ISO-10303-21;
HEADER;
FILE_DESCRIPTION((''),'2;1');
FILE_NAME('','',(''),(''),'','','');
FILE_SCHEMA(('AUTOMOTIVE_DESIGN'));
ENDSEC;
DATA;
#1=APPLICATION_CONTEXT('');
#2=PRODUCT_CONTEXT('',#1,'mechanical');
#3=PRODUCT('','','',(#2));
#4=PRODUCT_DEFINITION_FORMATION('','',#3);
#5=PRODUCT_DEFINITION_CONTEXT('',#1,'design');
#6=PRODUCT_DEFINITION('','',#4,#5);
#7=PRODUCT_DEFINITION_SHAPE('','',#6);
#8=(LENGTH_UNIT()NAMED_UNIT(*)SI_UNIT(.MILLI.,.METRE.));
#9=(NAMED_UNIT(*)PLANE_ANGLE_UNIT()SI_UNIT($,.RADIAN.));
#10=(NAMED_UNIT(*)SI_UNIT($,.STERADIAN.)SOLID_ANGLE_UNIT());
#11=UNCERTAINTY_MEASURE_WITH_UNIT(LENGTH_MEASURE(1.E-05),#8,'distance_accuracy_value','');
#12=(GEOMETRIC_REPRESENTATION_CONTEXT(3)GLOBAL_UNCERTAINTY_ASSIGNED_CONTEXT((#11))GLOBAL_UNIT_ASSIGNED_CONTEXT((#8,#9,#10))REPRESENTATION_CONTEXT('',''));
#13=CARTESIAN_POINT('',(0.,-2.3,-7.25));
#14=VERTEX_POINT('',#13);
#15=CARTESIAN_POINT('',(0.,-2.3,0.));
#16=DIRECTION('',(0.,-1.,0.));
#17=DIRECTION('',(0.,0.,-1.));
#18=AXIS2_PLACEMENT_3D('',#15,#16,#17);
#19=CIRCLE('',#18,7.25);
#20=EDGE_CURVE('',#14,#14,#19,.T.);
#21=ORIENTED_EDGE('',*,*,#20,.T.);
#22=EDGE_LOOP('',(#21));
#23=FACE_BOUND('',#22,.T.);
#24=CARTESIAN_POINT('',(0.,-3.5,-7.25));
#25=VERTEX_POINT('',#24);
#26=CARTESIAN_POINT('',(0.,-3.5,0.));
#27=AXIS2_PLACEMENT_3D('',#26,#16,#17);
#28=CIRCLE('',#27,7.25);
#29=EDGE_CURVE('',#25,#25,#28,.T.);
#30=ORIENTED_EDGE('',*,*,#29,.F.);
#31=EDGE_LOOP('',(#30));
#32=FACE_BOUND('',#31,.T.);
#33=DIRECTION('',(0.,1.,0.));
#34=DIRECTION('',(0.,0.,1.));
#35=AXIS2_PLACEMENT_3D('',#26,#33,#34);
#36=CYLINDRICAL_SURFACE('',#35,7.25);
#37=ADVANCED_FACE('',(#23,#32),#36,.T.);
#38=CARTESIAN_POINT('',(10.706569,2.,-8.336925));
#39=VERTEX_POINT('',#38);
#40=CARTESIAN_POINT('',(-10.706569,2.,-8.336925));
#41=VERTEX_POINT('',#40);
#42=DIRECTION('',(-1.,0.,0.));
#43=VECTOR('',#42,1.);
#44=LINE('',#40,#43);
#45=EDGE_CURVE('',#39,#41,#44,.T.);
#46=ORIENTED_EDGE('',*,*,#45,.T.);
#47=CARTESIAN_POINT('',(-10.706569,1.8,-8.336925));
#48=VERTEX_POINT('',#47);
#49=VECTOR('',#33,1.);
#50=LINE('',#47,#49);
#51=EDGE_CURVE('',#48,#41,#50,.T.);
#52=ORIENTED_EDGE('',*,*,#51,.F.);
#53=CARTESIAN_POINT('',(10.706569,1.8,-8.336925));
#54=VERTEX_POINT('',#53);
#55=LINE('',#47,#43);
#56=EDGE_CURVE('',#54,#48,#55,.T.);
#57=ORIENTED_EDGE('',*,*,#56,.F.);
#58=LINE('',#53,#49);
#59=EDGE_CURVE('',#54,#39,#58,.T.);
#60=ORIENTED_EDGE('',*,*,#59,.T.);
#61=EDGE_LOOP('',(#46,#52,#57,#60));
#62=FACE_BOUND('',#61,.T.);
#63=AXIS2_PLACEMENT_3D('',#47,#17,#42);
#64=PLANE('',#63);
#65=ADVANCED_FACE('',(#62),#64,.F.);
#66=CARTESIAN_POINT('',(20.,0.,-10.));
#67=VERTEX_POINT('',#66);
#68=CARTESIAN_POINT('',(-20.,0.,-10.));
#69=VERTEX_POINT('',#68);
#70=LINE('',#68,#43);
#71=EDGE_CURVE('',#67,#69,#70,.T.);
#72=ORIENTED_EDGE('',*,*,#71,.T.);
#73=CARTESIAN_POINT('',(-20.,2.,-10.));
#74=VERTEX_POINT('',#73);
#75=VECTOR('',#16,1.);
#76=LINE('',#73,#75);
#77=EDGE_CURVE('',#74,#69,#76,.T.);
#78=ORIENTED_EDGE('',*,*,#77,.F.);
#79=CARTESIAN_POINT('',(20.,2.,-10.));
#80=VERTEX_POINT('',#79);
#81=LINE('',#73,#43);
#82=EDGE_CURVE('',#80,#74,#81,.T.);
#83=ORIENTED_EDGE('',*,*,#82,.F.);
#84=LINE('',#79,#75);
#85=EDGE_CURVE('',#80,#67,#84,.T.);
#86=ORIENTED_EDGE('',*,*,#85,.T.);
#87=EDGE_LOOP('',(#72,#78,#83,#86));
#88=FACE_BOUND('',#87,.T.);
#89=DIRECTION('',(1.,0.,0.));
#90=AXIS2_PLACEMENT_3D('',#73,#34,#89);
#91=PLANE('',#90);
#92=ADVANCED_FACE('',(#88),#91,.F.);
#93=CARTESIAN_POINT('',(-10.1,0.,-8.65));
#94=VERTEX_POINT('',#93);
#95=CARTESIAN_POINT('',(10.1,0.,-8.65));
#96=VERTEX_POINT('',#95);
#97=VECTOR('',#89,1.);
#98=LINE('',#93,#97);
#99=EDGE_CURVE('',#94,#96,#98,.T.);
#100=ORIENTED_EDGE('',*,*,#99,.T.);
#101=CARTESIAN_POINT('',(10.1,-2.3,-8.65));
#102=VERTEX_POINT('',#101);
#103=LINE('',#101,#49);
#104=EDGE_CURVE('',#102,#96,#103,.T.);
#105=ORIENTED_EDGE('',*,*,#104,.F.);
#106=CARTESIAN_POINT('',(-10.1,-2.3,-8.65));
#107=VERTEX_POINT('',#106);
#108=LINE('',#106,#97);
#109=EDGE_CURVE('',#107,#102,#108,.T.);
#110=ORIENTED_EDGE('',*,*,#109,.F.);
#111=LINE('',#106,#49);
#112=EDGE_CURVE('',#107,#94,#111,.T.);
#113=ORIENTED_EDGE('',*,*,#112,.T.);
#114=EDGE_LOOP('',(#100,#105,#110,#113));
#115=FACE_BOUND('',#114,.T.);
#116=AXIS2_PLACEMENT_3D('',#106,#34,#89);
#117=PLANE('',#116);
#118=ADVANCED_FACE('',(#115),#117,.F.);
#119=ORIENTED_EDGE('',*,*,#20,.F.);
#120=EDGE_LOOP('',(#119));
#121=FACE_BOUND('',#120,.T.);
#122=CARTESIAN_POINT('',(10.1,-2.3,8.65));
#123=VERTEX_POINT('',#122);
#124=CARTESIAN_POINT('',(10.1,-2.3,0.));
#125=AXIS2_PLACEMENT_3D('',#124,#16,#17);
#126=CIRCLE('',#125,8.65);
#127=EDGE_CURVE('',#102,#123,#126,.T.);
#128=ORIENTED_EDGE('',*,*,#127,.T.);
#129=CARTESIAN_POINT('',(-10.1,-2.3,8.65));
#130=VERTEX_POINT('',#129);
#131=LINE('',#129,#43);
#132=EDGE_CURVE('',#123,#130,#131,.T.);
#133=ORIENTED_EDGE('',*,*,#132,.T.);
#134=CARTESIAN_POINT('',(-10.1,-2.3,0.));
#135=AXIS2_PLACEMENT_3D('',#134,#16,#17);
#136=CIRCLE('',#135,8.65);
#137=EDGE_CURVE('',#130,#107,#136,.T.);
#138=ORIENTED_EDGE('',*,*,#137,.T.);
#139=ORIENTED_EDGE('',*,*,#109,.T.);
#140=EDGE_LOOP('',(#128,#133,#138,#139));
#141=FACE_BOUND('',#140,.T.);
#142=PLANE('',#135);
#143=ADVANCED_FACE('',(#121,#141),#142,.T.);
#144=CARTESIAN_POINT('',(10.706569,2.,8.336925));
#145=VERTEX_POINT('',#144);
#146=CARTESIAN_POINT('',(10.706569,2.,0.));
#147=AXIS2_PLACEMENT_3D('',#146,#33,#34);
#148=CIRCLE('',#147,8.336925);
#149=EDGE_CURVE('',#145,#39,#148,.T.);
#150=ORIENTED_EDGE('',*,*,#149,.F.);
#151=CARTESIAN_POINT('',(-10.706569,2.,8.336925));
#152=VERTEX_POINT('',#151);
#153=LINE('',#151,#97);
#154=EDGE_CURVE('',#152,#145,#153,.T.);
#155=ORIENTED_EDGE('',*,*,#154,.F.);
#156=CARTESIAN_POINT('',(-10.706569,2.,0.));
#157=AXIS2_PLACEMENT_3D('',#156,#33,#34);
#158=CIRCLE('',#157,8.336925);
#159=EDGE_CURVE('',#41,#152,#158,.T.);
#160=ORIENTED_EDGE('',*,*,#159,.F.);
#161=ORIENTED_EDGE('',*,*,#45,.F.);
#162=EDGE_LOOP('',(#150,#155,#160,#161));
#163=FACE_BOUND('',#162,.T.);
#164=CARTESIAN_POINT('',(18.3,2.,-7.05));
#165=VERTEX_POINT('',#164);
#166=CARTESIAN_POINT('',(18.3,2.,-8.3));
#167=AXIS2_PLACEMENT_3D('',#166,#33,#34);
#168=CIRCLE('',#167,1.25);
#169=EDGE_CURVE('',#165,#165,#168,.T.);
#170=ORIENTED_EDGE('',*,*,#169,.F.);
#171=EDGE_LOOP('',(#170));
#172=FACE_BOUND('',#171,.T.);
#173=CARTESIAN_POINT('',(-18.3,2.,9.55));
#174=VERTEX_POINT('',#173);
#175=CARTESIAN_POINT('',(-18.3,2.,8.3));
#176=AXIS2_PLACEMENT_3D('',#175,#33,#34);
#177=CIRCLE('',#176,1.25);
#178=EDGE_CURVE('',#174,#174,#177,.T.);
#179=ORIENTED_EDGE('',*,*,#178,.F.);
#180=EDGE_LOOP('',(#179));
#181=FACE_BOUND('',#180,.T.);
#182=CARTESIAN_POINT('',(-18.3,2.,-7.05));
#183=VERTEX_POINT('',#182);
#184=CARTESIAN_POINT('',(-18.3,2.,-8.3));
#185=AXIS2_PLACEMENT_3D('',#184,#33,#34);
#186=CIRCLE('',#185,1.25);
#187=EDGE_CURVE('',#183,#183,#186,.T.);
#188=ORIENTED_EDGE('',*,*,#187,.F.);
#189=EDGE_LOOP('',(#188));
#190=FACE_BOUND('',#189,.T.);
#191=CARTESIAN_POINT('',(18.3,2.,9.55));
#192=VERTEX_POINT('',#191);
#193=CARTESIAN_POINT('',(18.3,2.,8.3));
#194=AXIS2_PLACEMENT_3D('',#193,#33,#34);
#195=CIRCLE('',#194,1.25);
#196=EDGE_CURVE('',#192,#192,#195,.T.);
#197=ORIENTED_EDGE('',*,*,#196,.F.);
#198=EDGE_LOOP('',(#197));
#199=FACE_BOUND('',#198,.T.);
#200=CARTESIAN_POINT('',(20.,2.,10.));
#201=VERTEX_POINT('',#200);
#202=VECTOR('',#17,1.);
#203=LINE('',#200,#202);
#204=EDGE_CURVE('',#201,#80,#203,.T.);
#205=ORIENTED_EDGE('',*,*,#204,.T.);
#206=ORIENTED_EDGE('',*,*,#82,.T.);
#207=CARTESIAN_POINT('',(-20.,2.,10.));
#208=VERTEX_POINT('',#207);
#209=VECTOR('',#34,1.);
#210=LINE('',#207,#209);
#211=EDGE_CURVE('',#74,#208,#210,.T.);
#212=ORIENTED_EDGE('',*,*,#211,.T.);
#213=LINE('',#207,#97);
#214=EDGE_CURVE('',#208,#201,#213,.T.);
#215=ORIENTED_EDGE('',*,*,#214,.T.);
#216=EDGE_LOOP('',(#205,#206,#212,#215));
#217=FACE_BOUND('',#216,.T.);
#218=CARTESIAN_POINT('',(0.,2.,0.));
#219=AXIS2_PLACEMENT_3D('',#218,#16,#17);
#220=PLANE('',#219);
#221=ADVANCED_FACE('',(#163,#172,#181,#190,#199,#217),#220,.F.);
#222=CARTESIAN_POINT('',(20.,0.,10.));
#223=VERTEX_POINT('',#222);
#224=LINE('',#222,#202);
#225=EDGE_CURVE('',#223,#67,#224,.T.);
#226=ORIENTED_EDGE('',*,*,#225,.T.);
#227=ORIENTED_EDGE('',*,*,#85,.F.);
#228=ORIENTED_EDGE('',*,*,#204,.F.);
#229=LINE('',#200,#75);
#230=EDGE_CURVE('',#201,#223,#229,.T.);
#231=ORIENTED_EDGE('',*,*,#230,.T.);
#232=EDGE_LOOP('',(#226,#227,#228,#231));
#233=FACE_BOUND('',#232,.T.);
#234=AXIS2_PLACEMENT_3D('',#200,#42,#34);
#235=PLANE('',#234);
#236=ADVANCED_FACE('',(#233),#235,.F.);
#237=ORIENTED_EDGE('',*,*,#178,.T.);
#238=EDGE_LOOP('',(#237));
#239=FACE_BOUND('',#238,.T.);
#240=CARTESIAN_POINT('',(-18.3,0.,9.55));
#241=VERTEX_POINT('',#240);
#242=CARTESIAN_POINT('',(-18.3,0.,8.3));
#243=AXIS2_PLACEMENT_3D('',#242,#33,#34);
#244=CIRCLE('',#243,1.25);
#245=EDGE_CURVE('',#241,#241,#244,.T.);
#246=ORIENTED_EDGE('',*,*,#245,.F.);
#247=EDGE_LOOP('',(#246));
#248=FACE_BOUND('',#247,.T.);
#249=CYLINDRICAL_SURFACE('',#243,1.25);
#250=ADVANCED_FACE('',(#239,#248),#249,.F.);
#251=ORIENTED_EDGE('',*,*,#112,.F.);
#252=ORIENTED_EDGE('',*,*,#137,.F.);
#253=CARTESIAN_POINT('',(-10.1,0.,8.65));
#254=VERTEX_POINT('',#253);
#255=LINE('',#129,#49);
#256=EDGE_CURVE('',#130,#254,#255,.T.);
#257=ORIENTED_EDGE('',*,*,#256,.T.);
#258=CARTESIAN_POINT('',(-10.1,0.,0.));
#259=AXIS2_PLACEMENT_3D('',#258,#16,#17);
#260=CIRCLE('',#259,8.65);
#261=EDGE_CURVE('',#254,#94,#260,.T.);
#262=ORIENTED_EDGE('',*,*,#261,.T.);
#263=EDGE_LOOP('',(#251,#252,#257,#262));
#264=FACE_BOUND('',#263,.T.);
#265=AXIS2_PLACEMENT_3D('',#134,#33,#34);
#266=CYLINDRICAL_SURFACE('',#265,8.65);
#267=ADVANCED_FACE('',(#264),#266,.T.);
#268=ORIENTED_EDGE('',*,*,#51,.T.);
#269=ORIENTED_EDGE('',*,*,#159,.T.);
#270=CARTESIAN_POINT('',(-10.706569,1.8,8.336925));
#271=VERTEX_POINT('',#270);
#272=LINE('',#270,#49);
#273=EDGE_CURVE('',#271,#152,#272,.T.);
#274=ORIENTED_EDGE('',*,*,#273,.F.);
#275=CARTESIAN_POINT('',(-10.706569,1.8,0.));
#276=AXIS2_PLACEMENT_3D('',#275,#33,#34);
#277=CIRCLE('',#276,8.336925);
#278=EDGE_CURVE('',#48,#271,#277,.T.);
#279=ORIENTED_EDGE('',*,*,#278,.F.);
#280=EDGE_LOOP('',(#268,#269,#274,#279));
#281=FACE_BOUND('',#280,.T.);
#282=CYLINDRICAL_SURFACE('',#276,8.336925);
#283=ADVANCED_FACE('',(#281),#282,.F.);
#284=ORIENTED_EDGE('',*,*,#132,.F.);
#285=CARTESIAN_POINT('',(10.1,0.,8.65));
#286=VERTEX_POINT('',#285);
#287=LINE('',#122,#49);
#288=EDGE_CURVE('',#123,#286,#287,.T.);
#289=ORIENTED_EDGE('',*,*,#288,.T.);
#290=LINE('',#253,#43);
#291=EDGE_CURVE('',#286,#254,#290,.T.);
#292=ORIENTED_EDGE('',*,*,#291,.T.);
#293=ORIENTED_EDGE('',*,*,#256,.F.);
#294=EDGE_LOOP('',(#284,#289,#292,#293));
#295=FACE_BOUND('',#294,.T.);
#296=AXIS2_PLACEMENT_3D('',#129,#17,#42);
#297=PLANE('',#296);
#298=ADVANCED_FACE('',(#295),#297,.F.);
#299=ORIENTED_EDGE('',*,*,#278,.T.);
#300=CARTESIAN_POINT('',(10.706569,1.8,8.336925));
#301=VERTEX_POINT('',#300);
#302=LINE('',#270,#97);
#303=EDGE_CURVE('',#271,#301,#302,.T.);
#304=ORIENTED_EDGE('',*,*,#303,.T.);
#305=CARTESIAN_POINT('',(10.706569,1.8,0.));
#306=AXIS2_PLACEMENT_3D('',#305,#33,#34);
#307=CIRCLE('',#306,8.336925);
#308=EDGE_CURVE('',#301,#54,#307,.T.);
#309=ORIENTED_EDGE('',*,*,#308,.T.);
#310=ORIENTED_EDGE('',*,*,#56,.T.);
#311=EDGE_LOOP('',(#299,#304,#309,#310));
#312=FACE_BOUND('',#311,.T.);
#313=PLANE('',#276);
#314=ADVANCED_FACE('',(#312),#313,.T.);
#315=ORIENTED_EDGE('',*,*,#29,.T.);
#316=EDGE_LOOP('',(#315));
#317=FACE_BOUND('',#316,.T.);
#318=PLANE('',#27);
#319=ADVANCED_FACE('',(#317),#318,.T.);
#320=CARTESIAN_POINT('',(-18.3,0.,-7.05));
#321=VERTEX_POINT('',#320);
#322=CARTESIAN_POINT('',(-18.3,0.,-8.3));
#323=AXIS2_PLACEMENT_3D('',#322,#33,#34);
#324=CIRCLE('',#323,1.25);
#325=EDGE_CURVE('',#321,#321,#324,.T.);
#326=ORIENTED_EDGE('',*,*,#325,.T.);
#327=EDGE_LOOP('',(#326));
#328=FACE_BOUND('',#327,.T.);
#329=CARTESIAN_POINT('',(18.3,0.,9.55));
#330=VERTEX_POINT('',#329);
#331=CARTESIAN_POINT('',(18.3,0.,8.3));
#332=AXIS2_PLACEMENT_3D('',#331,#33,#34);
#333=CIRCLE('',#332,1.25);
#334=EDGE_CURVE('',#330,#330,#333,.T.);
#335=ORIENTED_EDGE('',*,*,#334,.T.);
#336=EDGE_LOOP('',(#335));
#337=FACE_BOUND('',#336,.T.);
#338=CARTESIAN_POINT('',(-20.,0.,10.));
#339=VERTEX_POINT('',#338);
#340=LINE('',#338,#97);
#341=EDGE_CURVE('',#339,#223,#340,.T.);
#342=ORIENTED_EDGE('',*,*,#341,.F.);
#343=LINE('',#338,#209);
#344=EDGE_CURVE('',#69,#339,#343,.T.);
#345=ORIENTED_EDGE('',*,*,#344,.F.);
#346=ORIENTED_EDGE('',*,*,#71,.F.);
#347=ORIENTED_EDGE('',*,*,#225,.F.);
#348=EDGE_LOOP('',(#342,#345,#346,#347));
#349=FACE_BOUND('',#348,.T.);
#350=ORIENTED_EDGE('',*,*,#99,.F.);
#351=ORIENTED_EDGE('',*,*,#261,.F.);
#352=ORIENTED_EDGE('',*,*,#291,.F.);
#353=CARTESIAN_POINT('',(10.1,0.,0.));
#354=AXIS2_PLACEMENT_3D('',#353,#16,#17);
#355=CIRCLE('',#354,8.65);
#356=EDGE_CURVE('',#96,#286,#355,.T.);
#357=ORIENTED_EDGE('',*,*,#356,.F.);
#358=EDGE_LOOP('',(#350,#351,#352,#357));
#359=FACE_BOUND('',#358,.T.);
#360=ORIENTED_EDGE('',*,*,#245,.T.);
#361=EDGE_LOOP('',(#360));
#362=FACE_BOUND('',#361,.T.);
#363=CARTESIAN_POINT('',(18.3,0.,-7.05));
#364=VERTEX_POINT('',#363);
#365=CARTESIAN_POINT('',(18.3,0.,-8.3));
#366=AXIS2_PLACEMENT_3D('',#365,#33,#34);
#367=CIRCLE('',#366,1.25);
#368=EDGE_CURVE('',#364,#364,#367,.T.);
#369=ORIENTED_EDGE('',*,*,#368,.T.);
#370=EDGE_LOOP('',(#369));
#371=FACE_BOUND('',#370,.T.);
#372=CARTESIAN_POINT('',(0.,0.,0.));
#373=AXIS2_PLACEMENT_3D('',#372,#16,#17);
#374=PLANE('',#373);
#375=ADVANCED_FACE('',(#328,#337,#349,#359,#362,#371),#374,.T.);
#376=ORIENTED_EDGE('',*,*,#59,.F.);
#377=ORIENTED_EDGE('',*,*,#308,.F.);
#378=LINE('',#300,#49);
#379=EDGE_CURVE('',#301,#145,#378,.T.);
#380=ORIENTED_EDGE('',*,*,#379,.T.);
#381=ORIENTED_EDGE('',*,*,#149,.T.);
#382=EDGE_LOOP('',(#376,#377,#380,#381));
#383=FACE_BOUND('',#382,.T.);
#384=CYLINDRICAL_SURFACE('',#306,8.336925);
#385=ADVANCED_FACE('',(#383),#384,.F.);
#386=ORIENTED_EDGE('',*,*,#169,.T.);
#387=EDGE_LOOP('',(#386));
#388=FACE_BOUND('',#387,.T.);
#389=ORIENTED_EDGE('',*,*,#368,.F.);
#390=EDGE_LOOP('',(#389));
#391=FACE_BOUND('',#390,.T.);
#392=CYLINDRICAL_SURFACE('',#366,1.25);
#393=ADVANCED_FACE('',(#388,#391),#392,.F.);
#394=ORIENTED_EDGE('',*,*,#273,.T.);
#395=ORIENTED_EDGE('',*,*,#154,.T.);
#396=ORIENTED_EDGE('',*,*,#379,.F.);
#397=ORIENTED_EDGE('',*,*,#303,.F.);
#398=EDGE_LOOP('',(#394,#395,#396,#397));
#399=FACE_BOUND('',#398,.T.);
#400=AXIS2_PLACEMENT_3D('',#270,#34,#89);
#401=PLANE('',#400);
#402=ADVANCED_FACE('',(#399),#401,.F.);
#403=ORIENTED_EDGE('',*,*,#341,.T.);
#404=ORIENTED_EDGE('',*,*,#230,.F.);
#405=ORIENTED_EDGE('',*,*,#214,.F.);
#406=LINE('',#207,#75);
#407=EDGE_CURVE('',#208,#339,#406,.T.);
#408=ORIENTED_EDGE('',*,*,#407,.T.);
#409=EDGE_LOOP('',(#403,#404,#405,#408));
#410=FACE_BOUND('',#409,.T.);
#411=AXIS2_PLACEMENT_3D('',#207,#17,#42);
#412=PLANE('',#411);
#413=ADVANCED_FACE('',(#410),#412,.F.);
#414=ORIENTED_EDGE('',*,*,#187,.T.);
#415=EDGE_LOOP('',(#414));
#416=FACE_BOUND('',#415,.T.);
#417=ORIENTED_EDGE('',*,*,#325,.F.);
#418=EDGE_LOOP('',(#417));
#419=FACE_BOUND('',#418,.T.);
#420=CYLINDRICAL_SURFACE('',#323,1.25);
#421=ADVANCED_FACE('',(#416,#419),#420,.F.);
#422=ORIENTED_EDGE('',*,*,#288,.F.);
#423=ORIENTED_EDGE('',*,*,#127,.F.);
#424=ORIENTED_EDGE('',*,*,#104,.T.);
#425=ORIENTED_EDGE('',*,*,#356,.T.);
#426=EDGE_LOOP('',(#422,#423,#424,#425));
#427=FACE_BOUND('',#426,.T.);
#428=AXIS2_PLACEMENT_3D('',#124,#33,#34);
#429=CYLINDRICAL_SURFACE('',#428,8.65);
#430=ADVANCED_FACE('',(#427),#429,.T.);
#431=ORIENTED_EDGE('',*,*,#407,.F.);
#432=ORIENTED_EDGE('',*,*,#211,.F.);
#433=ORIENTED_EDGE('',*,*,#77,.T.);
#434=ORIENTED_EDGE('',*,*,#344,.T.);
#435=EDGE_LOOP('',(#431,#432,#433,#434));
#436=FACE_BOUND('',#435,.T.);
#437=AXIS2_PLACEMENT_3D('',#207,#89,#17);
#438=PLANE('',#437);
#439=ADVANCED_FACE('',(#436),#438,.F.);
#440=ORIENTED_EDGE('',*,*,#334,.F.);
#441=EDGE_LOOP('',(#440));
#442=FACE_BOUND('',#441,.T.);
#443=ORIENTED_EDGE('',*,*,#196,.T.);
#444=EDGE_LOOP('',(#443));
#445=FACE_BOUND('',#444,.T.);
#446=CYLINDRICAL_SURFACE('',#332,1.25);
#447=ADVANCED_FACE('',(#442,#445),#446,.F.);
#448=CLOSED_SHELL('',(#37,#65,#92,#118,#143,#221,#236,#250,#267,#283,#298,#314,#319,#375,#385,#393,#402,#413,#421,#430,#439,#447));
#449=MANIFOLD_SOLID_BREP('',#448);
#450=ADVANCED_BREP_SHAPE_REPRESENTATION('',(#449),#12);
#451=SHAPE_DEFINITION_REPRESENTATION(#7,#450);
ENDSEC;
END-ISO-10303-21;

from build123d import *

# Parameters (mm, degrees)
SKETCH4_W           = 40
SKETCH4_H           = 20
BOSS_EXTRUDE2_DEPTH = 2
SKETCH5_R           = 1.25
CUT_EXTRUDE1_DEPTH  = 23.449944321
BOSS_EXTRUDE3_DEPTH = 2.3
SKETCH7_R           = 7.25
BOSS_EXTRUDE4_DEPTH = 1.2
CUT_EXTRUDE2_DEPTH  = 0.2


with BuildPart() as part:
    # Sketch4 → Boss-Extrude2 (new body)
    with BuildSketch(Plane(origin=(0, 0, 0), x_dir=(1, 0, 0), z_dir=(0, 1, 0))):
        Rectangle(SKETCH4_W, SKETCH4_H)
    extrude(amount=BOSS_EXTRUDE2_DEPTH)

    # Sketch5 → Cut-Extrude1 (cut, through all)
    with BuildSketch(Plane(origin=(0, 2, 0), x_dir=(1, 0, 0), z_dir=(0, 1, 0))):
        with Locations(Location((-18.3, 8.3, 0), (0, 0, 270))):
            Circle(SKETCH5_R)
        with Locations(Location((18.3, 8.3, 0), (0, 0, 270))):
            Circle(SKETCH5_R)
        with Locations(Location((-18.3, -8.3, 0), (0, 0, 270))):
            Circle(SKETCH5_R)
        with Locations(Location((18.3, -8.3, 0), (0, 0, 270))):
            Circle(SKETCH5_R)
    extrude(amount=-CUT_EXTRUDE1_DEPTH, mode=Mode.SUBTRACT)

    # Sketch6 → Boss-Extrude3 (add)
    with BuildSketch(Plane.XZ):
        with BuildLine():
            Line((-10.1, 8.65), (10.1, 8.65))
            ThreePointArc((10.1, 8.65), (18.75, 0), (10.1, -8.65))
            Line((10.1, -8.65), (-10.1, -8.65))
            ThreePointArc((-10.1, -8.65), (-18.75, 0), (-10.1, 8.65))
        make_face()
    extrude(amount=BOSS_EXTRUDE3_DEPTH)

    # Sketch7 → Boss-Extrude4 (add)
    with BuildSketch(Plane.XZ.offset(2.3)):
        with Locations(Location((0, 0, 0), (0, 0, 270))):
            Circle(SKETCH7_R)
    extrude(amount=BOSS_EXTRUDE4_DEPTH)

    # Sketch8 → Cut-Extrude2 (cut)
    with BuildSketch(Plane(origin=(0, 2, 0), x_dir=(1, 0, 0), z_dir=(0, 1, 0))):
        with BuildLine():
            Line((-10.706568747, 8.336924947), (10.706568747, 8.336924947))
            ThreePointArc((10.706568747, 8.336924947), (19.043493695, 0), (10.706568747, -8.336924947))
            Line((10.706568747, -8.336924947), (-10.706568747, -8.336924947))
            ThreePointArc((-10.706568747, -8.336924947), (-19.043493695, 0), (-10.706568747, 8.336924947))
        make_face()
    extrude(amount=-CUT_EXTRUDE2_DEPTH, mode=Mode.SUBTRACT)


solid = part.part
